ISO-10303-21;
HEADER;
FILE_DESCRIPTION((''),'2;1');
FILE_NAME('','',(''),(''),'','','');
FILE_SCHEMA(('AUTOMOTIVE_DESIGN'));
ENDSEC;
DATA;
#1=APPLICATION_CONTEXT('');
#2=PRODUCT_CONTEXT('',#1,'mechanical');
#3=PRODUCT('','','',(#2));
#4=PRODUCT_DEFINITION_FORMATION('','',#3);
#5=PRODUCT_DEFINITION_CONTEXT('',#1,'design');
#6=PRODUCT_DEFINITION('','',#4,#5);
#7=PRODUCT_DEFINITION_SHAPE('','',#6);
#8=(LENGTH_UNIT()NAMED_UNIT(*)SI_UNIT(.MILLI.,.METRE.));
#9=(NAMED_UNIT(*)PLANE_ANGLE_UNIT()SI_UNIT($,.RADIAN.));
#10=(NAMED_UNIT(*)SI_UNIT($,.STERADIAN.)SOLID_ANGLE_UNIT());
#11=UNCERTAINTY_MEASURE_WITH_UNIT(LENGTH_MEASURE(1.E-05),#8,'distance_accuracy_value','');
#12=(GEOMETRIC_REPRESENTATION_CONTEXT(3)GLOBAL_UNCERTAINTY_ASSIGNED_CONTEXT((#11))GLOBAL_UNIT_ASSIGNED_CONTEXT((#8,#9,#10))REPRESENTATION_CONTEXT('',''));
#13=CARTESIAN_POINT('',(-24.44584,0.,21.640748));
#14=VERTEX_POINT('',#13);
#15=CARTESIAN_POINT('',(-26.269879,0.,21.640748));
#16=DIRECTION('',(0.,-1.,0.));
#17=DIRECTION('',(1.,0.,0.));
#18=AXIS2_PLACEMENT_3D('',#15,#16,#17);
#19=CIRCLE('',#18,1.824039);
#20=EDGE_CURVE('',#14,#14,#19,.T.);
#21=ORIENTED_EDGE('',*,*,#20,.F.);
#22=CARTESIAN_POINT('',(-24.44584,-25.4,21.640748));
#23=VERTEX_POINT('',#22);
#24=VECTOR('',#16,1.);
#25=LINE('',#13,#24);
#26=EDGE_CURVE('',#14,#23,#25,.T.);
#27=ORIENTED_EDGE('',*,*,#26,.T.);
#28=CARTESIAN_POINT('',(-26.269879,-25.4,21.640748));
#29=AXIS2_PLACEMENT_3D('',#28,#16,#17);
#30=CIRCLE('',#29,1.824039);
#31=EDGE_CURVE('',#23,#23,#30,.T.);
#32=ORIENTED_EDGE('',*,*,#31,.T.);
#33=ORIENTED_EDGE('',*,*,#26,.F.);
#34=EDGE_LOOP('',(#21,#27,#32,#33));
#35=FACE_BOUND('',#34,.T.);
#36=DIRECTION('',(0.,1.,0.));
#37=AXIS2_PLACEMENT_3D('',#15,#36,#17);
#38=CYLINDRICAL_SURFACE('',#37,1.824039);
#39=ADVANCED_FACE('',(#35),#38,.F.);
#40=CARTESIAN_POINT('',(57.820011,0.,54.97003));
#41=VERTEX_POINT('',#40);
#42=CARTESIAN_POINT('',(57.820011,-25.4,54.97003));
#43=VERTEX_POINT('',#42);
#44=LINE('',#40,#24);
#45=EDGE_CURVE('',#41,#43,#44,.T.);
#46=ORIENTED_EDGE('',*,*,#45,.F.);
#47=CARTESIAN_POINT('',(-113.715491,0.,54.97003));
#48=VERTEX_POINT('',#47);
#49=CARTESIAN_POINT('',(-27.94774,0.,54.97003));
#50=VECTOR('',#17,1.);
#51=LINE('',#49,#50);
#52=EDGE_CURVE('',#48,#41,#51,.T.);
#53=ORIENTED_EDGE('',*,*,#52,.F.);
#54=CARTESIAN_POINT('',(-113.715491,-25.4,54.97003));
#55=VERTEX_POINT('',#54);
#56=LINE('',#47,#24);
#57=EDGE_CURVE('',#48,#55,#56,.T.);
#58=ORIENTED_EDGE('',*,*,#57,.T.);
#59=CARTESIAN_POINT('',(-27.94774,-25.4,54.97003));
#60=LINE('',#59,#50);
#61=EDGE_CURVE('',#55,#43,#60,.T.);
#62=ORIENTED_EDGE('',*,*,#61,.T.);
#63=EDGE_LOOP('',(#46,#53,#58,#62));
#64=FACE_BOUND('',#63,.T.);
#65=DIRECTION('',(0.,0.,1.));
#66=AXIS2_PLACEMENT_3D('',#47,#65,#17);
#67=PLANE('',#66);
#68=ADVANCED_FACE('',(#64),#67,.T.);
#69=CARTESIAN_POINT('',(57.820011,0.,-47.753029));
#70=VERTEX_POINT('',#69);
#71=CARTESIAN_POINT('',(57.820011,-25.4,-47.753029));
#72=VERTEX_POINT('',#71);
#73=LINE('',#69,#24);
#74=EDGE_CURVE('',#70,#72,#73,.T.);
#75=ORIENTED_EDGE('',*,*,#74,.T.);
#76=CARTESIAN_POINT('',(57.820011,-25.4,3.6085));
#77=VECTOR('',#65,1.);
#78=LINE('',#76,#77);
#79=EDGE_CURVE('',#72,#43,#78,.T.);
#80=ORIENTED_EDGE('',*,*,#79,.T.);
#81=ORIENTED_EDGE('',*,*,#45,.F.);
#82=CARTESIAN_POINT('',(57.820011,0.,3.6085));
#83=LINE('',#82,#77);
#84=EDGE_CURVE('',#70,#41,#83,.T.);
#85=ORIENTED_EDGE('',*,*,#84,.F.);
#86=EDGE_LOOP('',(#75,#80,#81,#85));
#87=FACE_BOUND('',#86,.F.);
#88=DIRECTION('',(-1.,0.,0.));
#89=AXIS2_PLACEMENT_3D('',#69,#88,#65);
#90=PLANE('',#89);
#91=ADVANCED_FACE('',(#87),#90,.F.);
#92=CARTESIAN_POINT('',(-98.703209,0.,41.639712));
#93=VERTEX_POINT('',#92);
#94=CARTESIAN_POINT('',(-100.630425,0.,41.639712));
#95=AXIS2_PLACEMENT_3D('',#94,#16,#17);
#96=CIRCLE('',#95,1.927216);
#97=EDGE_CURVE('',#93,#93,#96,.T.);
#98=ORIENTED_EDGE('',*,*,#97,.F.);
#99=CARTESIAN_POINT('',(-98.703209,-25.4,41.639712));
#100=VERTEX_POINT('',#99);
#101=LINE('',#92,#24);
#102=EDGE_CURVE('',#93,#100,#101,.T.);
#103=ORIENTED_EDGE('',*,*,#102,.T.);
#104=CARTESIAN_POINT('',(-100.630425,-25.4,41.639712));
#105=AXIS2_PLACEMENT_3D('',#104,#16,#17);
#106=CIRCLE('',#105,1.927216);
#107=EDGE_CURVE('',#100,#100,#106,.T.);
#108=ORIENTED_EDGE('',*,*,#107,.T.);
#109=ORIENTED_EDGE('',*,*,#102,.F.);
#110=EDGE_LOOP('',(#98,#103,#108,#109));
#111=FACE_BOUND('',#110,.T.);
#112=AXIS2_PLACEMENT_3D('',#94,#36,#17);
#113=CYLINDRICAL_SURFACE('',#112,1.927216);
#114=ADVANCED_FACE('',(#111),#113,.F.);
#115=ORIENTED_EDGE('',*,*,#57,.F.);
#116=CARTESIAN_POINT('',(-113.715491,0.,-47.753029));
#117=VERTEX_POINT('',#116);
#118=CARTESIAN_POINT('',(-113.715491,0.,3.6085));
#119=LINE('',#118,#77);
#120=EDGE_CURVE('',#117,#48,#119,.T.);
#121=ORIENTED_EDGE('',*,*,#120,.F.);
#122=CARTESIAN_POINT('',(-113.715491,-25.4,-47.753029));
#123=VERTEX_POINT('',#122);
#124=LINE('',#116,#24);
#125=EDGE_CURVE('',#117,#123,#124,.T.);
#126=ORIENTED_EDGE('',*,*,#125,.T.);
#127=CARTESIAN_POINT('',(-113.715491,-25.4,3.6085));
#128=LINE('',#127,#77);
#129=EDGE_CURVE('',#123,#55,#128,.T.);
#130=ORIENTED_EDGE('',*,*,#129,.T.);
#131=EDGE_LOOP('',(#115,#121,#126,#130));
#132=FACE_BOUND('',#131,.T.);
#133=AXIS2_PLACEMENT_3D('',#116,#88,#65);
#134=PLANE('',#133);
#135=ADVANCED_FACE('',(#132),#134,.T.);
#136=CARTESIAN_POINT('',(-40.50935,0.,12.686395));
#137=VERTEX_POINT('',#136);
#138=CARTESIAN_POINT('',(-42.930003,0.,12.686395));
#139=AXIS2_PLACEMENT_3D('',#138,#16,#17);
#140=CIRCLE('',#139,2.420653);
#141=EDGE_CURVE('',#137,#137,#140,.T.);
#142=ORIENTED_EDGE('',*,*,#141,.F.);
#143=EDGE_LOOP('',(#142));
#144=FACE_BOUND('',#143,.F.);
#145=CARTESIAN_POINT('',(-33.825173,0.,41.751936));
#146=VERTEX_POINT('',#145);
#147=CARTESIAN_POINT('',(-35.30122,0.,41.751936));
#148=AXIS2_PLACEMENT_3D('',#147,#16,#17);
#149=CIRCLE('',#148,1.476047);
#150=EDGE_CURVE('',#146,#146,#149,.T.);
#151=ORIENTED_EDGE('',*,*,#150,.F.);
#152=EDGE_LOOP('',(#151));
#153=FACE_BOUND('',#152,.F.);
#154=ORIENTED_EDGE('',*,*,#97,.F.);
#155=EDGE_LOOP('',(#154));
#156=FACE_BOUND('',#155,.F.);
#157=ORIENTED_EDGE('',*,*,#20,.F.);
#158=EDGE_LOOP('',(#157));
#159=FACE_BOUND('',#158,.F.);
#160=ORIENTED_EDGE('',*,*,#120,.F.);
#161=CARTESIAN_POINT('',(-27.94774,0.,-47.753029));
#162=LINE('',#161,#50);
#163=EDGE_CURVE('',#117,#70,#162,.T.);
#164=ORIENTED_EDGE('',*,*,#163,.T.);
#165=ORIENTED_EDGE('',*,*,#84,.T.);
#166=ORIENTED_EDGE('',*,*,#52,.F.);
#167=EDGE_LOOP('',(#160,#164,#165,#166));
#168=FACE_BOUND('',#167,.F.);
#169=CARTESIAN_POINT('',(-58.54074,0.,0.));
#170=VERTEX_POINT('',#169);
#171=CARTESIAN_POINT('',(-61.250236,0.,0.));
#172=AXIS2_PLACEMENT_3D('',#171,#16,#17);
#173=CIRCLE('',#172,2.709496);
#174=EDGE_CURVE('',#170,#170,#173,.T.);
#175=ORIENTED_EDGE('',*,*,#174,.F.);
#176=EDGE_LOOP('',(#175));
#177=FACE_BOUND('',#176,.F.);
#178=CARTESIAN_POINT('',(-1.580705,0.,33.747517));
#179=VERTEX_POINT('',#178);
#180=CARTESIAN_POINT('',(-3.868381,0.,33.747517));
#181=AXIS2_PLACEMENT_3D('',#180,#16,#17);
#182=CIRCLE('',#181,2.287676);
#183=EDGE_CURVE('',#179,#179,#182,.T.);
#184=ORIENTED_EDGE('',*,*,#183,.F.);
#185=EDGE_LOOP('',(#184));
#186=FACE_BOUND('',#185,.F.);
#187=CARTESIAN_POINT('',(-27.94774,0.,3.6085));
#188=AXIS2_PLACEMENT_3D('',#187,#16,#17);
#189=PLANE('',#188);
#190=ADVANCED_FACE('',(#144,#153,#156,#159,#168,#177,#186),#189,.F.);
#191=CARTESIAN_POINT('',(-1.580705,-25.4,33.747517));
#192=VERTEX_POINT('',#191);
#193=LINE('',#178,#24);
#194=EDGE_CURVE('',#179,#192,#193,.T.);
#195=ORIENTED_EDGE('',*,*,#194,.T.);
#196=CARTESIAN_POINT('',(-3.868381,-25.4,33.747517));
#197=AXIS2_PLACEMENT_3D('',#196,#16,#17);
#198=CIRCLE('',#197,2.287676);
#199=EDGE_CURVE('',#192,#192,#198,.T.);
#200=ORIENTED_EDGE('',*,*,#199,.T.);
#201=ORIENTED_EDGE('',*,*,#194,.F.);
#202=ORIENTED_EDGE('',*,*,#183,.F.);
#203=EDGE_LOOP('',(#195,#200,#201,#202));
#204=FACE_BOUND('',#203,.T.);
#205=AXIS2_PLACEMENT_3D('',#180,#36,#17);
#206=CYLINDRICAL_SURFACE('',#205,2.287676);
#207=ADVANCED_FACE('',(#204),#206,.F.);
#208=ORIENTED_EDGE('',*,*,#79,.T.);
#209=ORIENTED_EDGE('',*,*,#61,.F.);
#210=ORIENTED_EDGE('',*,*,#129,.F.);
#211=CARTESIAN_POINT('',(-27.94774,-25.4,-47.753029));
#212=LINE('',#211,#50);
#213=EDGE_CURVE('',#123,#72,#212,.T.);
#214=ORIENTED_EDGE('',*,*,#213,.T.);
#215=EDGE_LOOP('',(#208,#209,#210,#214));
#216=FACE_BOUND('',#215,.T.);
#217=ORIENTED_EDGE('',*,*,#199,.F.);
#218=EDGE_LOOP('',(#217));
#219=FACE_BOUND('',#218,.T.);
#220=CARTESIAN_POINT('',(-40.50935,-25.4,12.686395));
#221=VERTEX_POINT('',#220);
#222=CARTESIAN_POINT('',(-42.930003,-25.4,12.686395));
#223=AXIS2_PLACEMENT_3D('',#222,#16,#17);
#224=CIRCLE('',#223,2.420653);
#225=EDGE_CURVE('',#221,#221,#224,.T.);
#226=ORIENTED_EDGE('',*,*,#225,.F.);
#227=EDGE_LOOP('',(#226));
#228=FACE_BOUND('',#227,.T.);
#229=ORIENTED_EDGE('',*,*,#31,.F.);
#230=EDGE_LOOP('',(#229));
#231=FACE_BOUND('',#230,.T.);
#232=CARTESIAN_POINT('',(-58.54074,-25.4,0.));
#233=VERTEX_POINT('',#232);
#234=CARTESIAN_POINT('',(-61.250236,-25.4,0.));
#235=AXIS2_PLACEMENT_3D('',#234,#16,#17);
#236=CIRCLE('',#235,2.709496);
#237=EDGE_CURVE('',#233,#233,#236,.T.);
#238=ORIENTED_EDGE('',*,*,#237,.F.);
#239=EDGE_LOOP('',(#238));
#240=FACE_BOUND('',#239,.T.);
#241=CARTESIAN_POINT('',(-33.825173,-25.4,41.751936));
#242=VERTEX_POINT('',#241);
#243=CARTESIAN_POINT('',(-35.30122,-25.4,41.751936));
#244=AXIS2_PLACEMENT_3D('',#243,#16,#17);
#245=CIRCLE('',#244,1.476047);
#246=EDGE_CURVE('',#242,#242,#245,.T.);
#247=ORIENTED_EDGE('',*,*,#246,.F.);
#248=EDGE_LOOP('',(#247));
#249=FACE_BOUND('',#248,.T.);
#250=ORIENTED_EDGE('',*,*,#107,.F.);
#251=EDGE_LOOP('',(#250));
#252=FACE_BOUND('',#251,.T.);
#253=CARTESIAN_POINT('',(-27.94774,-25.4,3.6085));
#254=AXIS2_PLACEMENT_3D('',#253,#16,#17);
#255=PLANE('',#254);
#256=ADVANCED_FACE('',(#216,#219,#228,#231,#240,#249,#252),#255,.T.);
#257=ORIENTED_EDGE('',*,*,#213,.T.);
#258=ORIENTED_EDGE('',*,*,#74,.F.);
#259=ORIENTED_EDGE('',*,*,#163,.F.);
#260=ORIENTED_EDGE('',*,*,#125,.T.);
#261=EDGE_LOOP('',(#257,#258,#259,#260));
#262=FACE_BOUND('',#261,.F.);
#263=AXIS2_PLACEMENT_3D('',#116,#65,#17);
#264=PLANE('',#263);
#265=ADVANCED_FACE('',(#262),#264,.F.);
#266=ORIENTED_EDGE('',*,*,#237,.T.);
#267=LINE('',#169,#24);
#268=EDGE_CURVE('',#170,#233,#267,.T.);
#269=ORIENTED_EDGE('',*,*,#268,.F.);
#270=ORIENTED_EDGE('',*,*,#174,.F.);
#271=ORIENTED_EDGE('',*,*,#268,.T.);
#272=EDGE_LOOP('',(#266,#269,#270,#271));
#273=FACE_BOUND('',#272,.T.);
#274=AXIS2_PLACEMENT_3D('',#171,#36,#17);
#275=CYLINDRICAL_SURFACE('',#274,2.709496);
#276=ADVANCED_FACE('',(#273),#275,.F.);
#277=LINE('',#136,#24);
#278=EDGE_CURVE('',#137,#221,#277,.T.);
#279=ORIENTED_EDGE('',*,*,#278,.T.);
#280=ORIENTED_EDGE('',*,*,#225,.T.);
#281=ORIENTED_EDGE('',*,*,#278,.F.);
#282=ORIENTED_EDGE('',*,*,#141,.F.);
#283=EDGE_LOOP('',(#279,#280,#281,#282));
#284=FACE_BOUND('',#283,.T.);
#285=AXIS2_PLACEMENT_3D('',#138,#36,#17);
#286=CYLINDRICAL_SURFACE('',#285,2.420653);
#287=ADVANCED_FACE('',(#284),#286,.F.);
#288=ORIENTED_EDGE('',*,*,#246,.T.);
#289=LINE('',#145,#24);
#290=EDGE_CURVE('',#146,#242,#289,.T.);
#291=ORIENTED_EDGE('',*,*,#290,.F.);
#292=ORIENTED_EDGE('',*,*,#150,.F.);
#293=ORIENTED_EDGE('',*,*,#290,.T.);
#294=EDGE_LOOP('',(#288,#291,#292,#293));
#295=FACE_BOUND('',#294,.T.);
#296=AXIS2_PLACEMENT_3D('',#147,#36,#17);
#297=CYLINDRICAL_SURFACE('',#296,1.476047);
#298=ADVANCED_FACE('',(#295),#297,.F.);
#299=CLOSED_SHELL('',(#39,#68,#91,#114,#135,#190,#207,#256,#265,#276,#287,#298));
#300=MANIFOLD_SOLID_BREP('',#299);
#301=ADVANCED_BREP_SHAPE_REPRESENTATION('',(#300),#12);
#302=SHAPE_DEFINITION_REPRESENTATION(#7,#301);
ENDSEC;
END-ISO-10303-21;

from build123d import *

# Parameters (mm, degrees)
F0_W     = 171.535503
F0_H     = 102.723059
F0_R     = 2.709496
F0_R_2   = 2.420653
F0_R_3   = 1.927216
F0_R_4   = 1.476047
F0_R_5   = 1.824039
F0_R_6   = 2.287676
F1_DEPTH = 25.4


with BuildPart() as f1:
    # F0 (on Front) → F1 (new body)
    with BuildSketch(Plane.XZ):
        with Locations((-27.94774, 3.6085)):
            Rectangle(F0_W, F0_H)
        with Locations((-61.250236, 0)):
            Circle(F0_R, mode=Mode.SUBTRACT)
        with Locations((-42.930003, 12.686395)):
            Circle(F0_R_2, mode=Mode.SUBTRACT)
        with Locations((-100.630425, 41.639712)):
            Circle(F0_R_3, mode=Mode.SUBTRACT)
        with Locations((-35.30122, 41.751936)):
            Circle(F0_R_4, mode=Mode.SUBTRACT)
        with Locations((-26.269879, 21.640748)):
            Circle(F0_R_5, mode=Mode.SUBTRACT)
        with Locations((-3.868381, 33.747517)):
            Circle(F0_R_6, mode=Mode.SUBTRACT)
    extrude(amount=F1_DEPTH)


solid = f1.part
